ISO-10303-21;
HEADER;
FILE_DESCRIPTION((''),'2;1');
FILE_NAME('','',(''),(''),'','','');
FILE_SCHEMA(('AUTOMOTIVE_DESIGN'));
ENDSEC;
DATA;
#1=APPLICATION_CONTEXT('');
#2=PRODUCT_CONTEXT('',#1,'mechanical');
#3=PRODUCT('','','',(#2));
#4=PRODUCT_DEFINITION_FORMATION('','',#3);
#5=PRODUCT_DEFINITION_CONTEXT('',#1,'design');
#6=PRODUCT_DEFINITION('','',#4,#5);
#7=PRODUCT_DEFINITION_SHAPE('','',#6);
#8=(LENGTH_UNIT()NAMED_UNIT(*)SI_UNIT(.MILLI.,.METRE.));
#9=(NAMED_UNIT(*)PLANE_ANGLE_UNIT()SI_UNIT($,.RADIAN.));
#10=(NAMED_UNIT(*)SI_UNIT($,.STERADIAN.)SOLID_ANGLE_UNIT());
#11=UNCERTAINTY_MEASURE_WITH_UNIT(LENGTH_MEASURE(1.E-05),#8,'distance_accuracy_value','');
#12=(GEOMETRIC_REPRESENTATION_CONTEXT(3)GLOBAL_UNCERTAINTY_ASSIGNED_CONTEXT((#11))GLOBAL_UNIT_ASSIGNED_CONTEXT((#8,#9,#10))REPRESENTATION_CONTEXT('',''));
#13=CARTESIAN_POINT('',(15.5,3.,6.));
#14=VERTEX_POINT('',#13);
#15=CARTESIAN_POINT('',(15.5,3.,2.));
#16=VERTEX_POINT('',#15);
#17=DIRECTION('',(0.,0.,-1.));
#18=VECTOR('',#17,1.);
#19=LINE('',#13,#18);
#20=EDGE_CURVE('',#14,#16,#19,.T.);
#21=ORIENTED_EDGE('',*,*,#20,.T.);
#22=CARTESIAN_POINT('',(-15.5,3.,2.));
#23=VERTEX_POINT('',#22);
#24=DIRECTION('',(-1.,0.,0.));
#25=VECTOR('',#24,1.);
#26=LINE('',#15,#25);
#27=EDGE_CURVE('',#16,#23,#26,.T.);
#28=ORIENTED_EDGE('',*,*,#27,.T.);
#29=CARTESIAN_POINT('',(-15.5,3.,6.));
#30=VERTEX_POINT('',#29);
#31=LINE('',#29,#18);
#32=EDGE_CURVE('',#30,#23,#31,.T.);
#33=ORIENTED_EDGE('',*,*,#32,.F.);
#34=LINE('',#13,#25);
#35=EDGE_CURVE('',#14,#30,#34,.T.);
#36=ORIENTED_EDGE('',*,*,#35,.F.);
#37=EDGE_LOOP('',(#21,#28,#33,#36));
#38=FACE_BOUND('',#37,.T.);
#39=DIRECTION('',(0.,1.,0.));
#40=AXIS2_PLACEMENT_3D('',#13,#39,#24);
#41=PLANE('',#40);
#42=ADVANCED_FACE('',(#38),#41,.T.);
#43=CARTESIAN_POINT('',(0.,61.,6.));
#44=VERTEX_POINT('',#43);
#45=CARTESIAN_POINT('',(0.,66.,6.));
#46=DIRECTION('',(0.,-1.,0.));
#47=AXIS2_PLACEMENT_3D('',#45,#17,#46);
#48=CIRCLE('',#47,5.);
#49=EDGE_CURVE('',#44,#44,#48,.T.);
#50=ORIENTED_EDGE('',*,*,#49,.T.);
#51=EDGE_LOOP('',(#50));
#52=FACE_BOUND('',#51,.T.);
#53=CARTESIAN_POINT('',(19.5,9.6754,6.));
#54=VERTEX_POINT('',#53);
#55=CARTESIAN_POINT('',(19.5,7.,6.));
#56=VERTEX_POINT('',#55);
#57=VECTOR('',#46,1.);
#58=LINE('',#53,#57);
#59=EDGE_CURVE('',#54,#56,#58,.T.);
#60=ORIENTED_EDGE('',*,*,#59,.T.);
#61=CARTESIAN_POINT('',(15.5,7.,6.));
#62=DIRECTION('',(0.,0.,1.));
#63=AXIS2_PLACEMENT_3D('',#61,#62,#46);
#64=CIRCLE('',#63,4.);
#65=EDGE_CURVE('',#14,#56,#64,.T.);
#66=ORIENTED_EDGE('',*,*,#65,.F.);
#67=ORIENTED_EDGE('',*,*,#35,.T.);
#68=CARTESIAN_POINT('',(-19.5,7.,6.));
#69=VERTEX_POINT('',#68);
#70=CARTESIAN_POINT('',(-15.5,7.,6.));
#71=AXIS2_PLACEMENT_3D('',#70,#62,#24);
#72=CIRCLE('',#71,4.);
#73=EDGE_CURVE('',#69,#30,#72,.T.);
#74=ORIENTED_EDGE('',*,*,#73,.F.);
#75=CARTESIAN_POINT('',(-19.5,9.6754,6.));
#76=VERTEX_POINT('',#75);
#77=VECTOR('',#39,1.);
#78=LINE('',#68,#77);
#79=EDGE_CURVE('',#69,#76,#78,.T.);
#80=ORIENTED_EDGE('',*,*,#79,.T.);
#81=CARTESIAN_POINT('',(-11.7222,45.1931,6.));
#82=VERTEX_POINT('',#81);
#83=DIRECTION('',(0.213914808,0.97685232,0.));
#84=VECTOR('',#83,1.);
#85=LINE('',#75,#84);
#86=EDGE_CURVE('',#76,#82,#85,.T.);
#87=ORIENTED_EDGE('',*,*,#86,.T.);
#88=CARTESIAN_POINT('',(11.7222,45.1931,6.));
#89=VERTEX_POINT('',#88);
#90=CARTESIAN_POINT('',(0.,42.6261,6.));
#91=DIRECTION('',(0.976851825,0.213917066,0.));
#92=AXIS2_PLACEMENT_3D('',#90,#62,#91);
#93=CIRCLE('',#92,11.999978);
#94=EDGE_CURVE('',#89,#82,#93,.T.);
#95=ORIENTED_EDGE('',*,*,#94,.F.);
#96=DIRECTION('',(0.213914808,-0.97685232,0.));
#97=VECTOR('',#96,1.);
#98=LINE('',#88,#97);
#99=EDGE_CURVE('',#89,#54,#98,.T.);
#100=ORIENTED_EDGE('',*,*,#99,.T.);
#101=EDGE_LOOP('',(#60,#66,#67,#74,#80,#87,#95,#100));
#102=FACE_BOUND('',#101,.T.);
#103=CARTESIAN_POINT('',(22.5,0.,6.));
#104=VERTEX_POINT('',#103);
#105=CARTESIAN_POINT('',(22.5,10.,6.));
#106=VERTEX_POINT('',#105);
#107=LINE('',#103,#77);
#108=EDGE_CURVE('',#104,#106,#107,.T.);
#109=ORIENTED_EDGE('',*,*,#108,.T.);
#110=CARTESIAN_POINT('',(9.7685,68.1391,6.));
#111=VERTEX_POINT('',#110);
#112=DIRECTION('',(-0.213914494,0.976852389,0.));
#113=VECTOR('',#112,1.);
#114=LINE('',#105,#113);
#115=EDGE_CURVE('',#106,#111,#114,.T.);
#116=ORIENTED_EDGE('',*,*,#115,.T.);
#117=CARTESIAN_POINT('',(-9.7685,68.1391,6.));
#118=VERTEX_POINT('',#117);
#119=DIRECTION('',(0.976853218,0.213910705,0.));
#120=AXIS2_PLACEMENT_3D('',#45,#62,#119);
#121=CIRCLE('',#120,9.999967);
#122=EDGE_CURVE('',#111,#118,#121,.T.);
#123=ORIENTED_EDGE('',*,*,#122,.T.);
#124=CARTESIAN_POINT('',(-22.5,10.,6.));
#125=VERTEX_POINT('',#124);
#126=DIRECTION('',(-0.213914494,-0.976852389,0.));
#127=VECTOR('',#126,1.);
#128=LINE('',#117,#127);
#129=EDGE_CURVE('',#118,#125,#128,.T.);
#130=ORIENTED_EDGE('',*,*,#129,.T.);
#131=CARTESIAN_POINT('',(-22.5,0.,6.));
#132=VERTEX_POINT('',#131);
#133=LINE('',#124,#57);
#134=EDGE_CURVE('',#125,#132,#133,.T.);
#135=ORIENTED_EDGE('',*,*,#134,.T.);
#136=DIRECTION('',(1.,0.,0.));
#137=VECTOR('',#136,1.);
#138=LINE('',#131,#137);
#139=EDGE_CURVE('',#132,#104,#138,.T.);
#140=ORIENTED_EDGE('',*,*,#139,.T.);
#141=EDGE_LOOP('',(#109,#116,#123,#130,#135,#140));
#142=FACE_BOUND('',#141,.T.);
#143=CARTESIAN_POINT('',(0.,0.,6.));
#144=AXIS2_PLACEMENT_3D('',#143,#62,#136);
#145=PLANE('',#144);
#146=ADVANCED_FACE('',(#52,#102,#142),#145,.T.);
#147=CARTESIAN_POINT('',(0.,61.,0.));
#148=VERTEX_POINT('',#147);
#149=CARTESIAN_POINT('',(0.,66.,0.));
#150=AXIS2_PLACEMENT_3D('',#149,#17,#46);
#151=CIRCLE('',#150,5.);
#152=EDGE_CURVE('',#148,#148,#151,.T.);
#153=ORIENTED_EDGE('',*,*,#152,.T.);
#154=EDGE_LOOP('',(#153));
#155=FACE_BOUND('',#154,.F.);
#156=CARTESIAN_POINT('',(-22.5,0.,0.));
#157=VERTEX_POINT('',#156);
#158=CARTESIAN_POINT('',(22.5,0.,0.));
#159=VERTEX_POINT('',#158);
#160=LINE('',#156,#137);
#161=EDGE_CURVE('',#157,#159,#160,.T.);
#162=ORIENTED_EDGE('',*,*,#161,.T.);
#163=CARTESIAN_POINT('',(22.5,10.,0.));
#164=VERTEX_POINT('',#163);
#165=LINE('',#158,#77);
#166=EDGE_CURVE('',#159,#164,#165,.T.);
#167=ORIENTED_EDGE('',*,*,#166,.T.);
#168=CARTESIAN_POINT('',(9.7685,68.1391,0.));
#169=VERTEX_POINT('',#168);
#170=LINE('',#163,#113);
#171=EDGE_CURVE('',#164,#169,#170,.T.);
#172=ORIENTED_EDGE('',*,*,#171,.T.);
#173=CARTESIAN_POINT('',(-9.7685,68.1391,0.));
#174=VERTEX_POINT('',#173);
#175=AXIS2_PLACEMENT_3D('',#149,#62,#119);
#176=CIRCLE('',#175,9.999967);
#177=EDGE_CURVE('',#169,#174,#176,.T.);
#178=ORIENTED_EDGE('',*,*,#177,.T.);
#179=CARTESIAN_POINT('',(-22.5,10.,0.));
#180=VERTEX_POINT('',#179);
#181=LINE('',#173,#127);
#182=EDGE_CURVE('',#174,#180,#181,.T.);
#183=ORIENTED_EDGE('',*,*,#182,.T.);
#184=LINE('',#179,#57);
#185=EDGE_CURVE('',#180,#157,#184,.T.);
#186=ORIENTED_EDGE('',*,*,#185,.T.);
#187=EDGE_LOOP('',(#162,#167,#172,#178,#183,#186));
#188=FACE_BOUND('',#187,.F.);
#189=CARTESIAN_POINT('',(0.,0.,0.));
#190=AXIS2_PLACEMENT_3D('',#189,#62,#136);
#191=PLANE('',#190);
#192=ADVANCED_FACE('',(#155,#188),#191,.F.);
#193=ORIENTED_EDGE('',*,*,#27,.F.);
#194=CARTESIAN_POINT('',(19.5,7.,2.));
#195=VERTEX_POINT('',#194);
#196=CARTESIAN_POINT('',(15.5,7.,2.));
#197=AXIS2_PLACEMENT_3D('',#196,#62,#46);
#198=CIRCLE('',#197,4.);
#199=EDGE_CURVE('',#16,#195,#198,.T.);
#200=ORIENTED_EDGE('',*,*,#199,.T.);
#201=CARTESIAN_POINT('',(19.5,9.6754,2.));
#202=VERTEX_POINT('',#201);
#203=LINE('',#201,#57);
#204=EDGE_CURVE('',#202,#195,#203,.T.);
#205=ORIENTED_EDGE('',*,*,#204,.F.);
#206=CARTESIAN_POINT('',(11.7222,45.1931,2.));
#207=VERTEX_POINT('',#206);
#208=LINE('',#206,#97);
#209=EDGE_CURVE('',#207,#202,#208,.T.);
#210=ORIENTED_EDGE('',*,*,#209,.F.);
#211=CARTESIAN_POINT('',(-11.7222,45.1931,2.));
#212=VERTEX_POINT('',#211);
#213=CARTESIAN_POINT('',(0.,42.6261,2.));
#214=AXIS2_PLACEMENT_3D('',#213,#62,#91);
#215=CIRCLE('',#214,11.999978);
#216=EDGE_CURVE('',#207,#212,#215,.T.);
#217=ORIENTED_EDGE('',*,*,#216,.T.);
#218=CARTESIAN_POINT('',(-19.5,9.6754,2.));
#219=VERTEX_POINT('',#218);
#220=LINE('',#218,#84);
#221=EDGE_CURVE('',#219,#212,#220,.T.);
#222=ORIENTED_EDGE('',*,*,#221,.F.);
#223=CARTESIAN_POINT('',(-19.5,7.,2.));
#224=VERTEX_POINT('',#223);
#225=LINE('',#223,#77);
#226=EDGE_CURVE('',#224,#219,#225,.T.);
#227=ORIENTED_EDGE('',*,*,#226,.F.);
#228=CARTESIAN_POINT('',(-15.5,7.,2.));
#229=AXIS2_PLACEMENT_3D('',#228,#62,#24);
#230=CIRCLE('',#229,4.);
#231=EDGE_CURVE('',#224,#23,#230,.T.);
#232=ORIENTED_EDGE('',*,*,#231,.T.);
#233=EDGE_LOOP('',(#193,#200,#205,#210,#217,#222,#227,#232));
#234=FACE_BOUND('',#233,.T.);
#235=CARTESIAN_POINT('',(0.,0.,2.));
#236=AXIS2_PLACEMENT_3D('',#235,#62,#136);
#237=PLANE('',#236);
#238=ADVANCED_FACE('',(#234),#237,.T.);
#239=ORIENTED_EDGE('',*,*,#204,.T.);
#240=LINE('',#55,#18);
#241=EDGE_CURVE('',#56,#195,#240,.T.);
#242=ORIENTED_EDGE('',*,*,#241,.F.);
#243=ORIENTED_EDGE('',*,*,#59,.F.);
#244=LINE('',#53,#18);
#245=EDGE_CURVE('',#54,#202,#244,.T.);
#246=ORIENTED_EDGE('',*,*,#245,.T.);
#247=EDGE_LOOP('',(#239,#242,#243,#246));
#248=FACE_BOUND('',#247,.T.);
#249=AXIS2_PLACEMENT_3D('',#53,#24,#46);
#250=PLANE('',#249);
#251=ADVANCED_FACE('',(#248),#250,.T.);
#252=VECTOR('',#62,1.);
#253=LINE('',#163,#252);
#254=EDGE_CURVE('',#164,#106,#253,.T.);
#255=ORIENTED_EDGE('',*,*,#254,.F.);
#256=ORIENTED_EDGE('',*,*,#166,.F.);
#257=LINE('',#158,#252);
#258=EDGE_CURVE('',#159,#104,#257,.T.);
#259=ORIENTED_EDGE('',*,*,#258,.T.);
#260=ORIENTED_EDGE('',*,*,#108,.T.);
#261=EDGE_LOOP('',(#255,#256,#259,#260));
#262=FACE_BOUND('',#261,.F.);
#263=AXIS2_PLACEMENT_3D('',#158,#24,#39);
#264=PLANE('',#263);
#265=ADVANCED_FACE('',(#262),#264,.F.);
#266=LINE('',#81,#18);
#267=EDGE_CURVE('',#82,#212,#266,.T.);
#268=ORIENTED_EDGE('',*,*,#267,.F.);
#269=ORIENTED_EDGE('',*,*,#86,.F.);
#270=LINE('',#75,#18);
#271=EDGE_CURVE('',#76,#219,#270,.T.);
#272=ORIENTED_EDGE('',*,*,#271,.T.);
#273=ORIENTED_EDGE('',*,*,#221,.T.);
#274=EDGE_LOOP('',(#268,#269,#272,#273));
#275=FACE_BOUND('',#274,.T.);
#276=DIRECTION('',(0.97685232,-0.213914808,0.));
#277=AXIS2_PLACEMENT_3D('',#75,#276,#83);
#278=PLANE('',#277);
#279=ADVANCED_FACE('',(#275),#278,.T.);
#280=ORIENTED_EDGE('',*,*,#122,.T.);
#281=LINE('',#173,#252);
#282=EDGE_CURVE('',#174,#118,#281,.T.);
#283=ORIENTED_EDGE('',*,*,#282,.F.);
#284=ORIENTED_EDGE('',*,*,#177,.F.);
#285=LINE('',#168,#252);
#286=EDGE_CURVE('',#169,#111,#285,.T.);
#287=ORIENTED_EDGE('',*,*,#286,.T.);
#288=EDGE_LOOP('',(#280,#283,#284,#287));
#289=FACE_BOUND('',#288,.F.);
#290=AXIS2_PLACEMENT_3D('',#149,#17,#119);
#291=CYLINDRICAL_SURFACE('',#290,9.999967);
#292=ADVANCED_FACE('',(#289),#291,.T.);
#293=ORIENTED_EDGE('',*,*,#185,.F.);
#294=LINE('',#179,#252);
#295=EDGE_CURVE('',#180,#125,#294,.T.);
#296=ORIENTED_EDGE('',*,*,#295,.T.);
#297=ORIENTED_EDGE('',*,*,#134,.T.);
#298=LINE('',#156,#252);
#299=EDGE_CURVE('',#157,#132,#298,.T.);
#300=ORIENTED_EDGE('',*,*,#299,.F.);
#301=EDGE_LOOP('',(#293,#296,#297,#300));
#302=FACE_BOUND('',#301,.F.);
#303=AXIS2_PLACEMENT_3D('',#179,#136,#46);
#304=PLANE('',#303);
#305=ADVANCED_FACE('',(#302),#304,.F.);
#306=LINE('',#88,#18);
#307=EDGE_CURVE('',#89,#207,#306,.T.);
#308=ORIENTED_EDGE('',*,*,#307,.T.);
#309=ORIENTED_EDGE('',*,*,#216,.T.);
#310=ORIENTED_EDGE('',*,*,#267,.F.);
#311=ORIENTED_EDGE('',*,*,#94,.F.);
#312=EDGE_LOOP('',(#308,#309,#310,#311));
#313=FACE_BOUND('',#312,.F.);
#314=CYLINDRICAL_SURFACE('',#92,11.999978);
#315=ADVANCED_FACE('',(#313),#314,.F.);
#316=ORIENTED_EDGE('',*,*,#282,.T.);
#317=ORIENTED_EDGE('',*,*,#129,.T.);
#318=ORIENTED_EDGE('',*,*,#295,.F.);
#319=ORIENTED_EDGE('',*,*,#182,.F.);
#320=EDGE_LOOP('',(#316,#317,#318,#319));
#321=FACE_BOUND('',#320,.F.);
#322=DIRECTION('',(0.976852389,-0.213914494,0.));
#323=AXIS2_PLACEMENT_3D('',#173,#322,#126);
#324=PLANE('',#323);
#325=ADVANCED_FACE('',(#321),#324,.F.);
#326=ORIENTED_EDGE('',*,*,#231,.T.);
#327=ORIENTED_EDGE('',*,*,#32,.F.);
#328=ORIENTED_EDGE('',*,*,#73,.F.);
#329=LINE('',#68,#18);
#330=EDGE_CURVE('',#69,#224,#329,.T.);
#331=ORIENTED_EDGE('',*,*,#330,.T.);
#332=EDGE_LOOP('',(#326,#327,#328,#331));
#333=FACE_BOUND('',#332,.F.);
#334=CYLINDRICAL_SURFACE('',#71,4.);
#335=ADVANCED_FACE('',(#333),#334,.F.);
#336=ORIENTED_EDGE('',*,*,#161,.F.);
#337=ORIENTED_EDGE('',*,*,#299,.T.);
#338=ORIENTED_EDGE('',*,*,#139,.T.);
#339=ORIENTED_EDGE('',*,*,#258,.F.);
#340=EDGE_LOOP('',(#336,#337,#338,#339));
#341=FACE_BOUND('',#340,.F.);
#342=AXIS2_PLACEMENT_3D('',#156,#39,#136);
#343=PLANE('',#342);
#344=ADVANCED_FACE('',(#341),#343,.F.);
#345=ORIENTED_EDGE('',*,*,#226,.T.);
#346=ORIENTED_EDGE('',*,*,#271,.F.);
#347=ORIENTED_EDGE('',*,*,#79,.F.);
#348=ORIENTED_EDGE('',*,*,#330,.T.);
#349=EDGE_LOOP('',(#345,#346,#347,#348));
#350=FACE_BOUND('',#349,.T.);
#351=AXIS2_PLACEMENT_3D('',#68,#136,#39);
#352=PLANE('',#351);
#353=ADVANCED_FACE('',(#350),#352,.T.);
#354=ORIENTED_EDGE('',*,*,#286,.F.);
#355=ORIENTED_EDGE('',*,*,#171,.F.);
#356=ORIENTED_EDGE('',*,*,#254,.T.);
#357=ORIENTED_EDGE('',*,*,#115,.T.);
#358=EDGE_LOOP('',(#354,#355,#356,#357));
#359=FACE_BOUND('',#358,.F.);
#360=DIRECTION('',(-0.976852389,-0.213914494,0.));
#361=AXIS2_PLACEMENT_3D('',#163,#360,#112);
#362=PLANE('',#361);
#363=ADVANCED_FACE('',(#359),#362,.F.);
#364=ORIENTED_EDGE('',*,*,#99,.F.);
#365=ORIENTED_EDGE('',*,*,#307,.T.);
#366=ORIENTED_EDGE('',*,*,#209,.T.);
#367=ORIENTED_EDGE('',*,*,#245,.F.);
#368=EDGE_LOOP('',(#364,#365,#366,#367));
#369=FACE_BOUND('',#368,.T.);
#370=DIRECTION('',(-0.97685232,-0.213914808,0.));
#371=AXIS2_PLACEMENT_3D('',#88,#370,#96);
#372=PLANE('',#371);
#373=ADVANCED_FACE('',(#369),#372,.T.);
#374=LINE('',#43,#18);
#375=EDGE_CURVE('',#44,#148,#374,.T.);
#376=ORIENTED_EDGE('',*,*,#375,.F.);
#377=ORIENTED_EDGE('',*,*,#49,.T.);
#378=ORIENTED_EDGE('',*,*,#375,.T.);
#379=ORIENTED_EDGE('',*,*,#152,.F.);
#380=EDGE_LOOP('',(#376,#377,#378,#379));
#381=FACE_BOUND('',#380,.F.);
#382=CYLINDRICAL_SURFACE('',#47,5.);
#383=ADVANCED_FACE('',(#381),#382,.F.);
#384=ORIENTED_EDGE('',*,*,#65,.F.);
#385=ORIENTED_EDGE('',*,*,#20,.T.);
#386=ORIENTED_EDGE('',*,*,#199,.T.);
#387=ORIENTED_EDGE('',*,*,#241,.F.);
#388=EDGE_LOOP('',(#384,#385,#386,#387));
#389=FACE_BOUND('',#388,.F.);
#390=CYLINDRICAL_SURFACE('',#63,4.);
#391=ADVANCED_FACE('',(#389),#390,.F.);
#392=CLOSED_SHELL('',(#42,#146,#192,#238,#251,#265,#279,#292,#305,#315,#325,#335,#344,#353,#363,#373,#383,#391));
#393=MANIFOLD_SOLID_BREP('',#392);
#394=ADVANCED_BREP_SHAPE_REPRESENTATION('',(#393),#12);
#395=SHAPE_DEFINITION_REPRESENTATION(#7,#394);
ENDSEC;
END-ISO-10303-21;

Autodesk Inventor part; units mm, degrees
ref_plane "YZ Plane" through (0, 0, 0) normal (1, 0, 0) x (0, 1, 0)
ref_plane "XZ Plane" through (0, 0, 0) normal (0, 1, 0) x (-1, 0, 0)
ref_plane "XY Plane" through (0, 0, 0) normal (0, 0, 1) x (1, 0, 0)
sketch "Sketch1" plane through (0, 0, 0) normal (0, 0, 1) x (1, 0, 0)
  line L0 (-22.5, 0) -> (22.5, 0)
  line L1 (22.5, 0) -> (22.5, 10)
  line L2 (22.5, 10) -> (9.7685, 68.1391)
  arc A0 (9.7685, 68.1391) -> (-9.7685, 68.1391) centre (0, 66) ccw
  line L3 (-9.7685, 68.1391) -> (-22.5, 10)
  line L4 (-22.5, 10) -> (-22.5, 0)
  point P0 (0, 0)
  point P1 (0, 0)
  dimension "d0" = 45
  dimension "d1" = 10
  dimension "d2" = 10
  dimension "d3" = 66
extrude "Extrusion1" add sketch "Sketch1" along normal blind 6
sketch "Sketch2" plane through (0, 0, 6) normal (0, 0, 1) x (1, 0, 0)
  line L0 (22.5, 0) -> (22.5, 10) projected
  line L1 (22.5, 10) -> (9.7685, 68.1391) projected
  line L2 (-9.7685, 68.1391) -> (-22.5, 10) projected
  line L3 (-22.5, 10) -> (-22.5, 0) projected
  line L4 (-22.5, 0) -> (22.5, 0) projected
  line L5 (-19.5, 9.6754) -> (-11.7222, 45.1931)
  line L6 (11.7222, 45.1931) -> (19.5, 9.6754)
  line L7 (19.5, 9.6754) -> (19.5, 7)
  line L8 (15.5, 3) -> (-15.5, 3)
  line L9 (-19.5, 7) -> (-19.5, 9.6754)
  arc A0 (11.7222, 45.1931) -> (-11.7222, 45.1931) centre (0, 42.6261) ccw
  arc A1 (-19.5, 7) -> (-15.5, 3) centre (-15.5, 7) ccw
  arc A2 (15.5, 3) -> (19.5, 7) centre (15.5, 7) ccw
  point P0 (0, 0)
  dimension "d6" = 3
  dimension "d7" = 12
  dimension "d8" = 3
  dimension "d9" = 4
extrude "Extrusion2" cut sketch "Sketch2" against normal blind 4
sketch "Sketch3" plane through (0, 0, 6) normal (0, 0, 1) x (1, 0, 0)
  arc A0 (9.7685, 68.1391) -> (-9.7685, 68.1391) centre (0, 66) ccw projected
  point P0 (0, 0)
hole "Hole1" at (0, 66, 6) direction (0, 0, -1) diameter 10 end through all
properties part number "Bearing High" material "Steel"
